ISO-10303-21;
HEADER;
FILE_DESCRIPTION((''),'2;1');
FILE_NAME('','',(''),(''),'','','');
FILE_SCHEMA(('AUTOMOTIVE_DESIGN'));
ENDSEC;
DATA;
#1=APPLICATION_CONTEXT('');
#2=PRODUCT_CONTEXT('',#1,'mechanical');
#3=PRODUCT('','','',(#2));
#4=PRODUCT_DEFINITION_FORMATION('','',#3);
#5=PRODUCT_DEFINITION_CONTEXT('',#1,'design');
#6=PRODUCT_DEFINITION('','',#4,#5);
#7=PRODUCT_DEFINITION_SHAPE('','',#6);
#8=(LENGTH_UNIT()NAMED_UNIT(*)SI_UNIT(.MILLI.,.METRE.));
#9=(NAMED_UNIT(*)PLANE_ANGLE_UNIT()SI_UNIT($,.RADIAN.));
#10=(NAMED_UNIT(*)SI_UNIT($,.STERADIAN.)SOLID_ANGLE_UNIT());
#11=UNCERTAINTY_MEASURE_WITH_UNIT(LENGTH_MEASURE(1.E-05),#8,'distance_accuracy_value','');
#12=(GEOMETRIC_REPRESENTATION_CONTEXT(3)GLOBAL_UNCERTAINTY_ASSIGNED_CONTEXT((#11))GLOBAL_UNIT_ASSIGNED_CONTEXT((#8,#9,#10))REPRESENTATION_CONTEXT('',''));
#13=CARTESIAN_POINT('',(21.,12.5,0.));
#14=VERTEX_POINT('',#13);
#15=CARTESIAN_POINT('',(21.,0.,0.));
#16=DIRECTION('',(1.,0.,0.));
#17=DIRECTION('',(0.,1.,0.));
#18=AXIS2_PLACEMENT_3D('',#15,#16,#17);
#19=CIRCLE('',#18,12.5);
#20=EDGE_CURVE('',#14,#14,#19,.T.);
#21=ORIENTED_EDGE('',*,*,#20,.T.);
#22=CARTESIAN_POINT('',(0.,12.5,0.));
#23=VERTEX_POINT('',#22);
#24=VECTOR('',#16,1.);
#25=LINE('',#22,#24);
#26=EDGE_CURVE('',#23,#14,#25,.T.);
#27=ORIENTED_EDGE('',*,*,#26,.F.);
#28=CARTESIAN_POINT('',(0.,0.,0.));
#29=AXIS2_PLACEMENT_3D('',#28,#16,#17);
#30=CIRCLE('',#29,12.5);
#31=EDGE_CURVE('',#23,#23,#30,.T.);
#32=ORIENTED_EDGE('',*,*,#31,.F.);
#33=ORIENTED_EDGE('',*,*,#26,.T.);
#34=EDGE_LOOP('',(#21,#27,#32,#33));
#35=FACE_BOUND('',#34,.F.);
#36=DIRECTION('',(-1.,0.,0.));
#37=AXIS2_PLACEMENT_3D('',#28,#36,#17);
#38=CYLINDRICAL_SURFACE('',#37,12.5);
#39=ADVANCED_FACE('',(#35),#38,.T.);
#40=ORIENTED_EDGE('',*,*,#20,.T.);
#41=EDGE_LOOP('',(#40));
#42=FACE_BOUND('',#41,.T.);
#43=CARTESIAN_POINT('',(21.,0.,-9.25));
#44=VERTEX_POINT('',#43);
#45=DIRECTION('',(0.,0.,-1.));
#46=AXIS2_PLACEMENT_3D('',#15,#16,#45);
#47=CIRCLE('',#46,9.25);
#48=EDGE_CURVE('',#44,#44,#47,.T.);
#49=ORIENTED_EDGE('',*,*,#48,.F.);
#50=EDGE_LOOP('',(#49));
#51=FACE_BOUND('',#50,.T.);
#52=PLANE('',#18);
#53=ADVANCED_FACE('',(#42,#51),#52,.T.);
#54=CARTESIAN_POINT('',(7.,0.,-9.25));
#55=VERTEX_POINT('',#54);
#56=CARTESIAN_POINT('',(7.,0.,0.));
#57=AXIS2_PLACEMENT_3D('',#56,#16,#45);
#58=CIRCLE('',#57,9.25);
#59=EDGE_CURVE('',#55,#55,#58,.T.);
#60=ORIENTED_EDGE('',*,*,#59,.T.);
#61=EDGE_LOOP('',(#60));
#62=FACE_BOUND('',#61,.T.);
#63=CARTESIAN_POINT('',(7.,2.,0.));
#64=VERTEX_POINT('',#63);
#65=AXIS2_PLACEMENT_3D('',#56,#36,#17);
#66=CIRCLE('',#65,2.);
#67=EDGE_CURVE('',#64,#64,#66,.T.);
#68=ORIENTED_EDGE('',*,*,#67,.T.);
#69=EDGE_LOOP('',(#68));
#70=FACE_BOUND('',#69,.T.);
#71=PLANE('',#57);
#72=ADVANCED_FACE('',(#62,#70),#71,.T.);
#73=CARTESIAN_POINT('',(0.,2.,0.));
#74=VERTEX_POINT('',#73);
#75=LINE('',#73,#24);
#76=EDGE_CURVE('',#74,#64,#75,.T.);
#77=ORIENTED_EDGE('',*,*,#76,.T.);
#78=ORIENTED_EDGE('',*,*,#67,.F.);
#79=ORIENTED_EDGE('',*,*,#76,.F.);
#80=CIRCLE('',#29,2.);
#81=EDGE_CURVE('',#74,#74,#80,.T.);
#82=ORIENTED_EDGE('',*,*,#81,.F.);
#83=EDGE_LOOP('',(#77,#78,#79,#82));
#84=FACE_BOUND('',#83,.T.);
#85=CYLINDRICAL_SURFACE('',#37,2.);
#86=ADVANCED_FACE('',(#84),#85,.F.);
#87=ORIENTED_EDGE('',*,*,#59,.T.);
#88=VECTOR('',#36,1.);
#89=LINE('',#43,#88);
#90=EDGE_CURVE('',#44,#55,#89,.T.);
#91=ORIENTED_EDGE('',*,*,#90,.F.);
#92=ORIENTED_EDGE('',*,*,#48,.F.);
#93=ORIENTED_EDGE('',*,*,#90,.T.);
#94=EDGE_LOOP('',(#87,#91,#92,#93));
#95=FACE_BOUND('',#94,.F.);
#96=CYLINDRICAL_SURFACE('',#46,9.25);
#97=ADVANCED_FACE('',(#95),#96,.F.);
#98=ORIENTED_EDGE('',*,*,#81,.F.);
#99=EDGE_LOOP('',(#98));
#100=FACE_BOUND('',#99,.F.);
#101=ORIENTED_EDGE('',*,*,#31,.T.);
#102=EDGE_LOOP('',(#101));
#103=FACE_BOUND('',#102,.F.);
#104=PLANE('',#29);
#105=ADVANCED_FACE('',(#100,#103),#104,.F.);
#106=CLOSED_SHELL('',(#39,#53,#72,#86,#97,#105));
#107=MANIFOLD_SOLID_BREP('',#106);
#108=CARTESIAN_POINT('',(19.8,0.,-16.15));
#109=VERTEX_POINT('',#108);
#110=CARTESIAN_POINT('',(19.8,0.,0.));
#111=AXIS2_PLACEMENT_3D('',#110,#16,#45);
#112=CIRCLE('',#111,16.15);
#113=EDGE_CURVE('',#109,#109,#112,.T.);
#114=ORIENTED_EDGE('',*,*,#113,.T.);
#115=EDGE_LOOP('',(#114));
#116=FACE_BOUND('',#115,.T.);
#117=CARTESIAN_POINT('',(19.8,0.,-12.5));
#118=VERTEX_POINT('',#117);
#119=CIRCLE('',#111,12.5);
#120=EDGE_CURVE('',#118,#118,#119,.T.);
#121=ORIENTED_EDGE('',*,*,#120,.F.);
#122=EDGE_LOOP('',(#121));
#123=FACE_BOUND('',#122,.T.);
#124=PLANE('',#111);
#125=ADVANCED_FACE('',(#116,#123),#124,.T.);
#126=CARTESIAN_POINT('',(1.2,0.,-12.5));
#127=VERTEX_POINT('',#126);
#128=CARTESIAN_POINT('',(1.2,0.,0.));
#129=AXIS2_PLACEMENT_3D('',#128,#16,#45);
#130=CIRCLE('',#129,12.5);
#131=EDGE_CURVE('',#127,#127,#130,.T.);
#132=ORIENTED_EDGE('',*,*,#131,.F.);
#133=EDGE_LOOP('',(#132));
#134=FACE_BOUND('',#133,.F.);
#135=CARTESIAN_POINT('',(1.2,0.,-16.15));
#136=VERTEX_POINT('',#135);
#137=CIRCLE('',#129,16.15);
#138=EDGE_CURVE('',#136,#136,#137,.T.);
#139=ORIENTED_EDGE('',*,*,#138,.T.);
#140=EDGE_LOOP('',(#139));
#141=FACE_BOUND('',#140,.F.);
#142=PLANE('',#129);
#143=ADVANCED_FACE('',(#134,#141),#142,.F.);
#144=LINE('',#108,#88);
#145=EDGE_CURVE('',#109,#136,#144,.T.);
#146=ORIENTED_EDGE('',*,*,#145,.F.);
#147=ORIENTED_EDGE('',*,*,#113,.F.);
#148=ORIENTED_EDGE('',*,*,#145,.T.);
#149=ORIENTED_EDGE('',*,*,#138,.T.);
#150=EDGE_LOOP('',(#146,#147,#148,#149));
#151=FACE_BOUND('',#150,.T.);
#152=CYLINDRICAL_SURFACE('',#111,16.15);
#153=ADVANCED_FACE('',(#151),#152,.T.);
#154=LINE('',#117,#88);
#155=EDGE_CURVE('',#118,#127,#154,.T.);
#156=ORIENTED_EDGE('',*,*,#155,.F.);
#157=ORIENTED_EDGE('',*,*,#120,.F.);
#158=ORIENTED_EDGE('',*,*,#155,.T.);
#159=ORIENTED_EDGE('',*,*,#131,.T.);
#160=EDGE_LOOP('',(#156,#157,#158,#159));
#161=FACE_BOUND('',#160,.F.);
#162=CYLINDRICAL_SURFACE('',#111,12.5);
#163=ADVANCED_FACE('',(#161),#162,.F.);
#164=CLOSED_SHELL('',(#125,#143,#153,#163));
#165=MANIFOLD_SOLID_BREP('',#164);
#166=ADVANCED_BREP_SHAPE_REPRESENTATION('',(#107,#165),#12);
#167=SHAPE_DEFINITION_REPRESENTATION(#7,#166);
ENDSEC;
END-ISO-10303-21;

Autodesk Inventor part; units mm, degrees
ref_plane "YZ Plane" through (0, 0, 0) normal (1, 0, 0) x (0, 1, 0)
ref_plane "XZ Plane" through (0, 0, 0) normal (0, 1, 0) x (-1, 0, 0)
sketch "Esboço1" plane through (0, 0, 0) normal (1, 0, 0) x (0, 1, 0)
  circle A0 centre (0, 0) radius 12.5
  circle A1 centre (0, 0) radius 2
  dimension "d0" = 25
  dimension "d1" = 4
extrude "Extrusão1" add sketch "Esboço1" along normal blind 21
sketch "Esboço2" plane through (21, 0, 0) normal (1, 0, 0) x (0, 0, -1)
  circle A0 centre (0, 0) radius 9.25
  dimension "d4" = 18.5
extrude "Extrusão2" cut sketch "Esboço2" against normal blind 14
ref_plane "Plano de trabalho1" through (19.8, 0, 0) normal (1, 0, 0) x (0, 0, -1)
sketch "Esboço3" plane through (19.8, 0, 0) normal (1, 0, 0) x (0, 0, -1)
  circle A0 centre (0, 0) radius 12.5 projected
  circle A1 centre (0, 0) radius 2 projected
  circle A2 centre (0, 0) radius 16.15
  dimension "d8" = 32.3
extrude "Extrusão3" add sketch "Esboço3" against normal blind 18.6 separate body contours A2
properties part number "Roda"
